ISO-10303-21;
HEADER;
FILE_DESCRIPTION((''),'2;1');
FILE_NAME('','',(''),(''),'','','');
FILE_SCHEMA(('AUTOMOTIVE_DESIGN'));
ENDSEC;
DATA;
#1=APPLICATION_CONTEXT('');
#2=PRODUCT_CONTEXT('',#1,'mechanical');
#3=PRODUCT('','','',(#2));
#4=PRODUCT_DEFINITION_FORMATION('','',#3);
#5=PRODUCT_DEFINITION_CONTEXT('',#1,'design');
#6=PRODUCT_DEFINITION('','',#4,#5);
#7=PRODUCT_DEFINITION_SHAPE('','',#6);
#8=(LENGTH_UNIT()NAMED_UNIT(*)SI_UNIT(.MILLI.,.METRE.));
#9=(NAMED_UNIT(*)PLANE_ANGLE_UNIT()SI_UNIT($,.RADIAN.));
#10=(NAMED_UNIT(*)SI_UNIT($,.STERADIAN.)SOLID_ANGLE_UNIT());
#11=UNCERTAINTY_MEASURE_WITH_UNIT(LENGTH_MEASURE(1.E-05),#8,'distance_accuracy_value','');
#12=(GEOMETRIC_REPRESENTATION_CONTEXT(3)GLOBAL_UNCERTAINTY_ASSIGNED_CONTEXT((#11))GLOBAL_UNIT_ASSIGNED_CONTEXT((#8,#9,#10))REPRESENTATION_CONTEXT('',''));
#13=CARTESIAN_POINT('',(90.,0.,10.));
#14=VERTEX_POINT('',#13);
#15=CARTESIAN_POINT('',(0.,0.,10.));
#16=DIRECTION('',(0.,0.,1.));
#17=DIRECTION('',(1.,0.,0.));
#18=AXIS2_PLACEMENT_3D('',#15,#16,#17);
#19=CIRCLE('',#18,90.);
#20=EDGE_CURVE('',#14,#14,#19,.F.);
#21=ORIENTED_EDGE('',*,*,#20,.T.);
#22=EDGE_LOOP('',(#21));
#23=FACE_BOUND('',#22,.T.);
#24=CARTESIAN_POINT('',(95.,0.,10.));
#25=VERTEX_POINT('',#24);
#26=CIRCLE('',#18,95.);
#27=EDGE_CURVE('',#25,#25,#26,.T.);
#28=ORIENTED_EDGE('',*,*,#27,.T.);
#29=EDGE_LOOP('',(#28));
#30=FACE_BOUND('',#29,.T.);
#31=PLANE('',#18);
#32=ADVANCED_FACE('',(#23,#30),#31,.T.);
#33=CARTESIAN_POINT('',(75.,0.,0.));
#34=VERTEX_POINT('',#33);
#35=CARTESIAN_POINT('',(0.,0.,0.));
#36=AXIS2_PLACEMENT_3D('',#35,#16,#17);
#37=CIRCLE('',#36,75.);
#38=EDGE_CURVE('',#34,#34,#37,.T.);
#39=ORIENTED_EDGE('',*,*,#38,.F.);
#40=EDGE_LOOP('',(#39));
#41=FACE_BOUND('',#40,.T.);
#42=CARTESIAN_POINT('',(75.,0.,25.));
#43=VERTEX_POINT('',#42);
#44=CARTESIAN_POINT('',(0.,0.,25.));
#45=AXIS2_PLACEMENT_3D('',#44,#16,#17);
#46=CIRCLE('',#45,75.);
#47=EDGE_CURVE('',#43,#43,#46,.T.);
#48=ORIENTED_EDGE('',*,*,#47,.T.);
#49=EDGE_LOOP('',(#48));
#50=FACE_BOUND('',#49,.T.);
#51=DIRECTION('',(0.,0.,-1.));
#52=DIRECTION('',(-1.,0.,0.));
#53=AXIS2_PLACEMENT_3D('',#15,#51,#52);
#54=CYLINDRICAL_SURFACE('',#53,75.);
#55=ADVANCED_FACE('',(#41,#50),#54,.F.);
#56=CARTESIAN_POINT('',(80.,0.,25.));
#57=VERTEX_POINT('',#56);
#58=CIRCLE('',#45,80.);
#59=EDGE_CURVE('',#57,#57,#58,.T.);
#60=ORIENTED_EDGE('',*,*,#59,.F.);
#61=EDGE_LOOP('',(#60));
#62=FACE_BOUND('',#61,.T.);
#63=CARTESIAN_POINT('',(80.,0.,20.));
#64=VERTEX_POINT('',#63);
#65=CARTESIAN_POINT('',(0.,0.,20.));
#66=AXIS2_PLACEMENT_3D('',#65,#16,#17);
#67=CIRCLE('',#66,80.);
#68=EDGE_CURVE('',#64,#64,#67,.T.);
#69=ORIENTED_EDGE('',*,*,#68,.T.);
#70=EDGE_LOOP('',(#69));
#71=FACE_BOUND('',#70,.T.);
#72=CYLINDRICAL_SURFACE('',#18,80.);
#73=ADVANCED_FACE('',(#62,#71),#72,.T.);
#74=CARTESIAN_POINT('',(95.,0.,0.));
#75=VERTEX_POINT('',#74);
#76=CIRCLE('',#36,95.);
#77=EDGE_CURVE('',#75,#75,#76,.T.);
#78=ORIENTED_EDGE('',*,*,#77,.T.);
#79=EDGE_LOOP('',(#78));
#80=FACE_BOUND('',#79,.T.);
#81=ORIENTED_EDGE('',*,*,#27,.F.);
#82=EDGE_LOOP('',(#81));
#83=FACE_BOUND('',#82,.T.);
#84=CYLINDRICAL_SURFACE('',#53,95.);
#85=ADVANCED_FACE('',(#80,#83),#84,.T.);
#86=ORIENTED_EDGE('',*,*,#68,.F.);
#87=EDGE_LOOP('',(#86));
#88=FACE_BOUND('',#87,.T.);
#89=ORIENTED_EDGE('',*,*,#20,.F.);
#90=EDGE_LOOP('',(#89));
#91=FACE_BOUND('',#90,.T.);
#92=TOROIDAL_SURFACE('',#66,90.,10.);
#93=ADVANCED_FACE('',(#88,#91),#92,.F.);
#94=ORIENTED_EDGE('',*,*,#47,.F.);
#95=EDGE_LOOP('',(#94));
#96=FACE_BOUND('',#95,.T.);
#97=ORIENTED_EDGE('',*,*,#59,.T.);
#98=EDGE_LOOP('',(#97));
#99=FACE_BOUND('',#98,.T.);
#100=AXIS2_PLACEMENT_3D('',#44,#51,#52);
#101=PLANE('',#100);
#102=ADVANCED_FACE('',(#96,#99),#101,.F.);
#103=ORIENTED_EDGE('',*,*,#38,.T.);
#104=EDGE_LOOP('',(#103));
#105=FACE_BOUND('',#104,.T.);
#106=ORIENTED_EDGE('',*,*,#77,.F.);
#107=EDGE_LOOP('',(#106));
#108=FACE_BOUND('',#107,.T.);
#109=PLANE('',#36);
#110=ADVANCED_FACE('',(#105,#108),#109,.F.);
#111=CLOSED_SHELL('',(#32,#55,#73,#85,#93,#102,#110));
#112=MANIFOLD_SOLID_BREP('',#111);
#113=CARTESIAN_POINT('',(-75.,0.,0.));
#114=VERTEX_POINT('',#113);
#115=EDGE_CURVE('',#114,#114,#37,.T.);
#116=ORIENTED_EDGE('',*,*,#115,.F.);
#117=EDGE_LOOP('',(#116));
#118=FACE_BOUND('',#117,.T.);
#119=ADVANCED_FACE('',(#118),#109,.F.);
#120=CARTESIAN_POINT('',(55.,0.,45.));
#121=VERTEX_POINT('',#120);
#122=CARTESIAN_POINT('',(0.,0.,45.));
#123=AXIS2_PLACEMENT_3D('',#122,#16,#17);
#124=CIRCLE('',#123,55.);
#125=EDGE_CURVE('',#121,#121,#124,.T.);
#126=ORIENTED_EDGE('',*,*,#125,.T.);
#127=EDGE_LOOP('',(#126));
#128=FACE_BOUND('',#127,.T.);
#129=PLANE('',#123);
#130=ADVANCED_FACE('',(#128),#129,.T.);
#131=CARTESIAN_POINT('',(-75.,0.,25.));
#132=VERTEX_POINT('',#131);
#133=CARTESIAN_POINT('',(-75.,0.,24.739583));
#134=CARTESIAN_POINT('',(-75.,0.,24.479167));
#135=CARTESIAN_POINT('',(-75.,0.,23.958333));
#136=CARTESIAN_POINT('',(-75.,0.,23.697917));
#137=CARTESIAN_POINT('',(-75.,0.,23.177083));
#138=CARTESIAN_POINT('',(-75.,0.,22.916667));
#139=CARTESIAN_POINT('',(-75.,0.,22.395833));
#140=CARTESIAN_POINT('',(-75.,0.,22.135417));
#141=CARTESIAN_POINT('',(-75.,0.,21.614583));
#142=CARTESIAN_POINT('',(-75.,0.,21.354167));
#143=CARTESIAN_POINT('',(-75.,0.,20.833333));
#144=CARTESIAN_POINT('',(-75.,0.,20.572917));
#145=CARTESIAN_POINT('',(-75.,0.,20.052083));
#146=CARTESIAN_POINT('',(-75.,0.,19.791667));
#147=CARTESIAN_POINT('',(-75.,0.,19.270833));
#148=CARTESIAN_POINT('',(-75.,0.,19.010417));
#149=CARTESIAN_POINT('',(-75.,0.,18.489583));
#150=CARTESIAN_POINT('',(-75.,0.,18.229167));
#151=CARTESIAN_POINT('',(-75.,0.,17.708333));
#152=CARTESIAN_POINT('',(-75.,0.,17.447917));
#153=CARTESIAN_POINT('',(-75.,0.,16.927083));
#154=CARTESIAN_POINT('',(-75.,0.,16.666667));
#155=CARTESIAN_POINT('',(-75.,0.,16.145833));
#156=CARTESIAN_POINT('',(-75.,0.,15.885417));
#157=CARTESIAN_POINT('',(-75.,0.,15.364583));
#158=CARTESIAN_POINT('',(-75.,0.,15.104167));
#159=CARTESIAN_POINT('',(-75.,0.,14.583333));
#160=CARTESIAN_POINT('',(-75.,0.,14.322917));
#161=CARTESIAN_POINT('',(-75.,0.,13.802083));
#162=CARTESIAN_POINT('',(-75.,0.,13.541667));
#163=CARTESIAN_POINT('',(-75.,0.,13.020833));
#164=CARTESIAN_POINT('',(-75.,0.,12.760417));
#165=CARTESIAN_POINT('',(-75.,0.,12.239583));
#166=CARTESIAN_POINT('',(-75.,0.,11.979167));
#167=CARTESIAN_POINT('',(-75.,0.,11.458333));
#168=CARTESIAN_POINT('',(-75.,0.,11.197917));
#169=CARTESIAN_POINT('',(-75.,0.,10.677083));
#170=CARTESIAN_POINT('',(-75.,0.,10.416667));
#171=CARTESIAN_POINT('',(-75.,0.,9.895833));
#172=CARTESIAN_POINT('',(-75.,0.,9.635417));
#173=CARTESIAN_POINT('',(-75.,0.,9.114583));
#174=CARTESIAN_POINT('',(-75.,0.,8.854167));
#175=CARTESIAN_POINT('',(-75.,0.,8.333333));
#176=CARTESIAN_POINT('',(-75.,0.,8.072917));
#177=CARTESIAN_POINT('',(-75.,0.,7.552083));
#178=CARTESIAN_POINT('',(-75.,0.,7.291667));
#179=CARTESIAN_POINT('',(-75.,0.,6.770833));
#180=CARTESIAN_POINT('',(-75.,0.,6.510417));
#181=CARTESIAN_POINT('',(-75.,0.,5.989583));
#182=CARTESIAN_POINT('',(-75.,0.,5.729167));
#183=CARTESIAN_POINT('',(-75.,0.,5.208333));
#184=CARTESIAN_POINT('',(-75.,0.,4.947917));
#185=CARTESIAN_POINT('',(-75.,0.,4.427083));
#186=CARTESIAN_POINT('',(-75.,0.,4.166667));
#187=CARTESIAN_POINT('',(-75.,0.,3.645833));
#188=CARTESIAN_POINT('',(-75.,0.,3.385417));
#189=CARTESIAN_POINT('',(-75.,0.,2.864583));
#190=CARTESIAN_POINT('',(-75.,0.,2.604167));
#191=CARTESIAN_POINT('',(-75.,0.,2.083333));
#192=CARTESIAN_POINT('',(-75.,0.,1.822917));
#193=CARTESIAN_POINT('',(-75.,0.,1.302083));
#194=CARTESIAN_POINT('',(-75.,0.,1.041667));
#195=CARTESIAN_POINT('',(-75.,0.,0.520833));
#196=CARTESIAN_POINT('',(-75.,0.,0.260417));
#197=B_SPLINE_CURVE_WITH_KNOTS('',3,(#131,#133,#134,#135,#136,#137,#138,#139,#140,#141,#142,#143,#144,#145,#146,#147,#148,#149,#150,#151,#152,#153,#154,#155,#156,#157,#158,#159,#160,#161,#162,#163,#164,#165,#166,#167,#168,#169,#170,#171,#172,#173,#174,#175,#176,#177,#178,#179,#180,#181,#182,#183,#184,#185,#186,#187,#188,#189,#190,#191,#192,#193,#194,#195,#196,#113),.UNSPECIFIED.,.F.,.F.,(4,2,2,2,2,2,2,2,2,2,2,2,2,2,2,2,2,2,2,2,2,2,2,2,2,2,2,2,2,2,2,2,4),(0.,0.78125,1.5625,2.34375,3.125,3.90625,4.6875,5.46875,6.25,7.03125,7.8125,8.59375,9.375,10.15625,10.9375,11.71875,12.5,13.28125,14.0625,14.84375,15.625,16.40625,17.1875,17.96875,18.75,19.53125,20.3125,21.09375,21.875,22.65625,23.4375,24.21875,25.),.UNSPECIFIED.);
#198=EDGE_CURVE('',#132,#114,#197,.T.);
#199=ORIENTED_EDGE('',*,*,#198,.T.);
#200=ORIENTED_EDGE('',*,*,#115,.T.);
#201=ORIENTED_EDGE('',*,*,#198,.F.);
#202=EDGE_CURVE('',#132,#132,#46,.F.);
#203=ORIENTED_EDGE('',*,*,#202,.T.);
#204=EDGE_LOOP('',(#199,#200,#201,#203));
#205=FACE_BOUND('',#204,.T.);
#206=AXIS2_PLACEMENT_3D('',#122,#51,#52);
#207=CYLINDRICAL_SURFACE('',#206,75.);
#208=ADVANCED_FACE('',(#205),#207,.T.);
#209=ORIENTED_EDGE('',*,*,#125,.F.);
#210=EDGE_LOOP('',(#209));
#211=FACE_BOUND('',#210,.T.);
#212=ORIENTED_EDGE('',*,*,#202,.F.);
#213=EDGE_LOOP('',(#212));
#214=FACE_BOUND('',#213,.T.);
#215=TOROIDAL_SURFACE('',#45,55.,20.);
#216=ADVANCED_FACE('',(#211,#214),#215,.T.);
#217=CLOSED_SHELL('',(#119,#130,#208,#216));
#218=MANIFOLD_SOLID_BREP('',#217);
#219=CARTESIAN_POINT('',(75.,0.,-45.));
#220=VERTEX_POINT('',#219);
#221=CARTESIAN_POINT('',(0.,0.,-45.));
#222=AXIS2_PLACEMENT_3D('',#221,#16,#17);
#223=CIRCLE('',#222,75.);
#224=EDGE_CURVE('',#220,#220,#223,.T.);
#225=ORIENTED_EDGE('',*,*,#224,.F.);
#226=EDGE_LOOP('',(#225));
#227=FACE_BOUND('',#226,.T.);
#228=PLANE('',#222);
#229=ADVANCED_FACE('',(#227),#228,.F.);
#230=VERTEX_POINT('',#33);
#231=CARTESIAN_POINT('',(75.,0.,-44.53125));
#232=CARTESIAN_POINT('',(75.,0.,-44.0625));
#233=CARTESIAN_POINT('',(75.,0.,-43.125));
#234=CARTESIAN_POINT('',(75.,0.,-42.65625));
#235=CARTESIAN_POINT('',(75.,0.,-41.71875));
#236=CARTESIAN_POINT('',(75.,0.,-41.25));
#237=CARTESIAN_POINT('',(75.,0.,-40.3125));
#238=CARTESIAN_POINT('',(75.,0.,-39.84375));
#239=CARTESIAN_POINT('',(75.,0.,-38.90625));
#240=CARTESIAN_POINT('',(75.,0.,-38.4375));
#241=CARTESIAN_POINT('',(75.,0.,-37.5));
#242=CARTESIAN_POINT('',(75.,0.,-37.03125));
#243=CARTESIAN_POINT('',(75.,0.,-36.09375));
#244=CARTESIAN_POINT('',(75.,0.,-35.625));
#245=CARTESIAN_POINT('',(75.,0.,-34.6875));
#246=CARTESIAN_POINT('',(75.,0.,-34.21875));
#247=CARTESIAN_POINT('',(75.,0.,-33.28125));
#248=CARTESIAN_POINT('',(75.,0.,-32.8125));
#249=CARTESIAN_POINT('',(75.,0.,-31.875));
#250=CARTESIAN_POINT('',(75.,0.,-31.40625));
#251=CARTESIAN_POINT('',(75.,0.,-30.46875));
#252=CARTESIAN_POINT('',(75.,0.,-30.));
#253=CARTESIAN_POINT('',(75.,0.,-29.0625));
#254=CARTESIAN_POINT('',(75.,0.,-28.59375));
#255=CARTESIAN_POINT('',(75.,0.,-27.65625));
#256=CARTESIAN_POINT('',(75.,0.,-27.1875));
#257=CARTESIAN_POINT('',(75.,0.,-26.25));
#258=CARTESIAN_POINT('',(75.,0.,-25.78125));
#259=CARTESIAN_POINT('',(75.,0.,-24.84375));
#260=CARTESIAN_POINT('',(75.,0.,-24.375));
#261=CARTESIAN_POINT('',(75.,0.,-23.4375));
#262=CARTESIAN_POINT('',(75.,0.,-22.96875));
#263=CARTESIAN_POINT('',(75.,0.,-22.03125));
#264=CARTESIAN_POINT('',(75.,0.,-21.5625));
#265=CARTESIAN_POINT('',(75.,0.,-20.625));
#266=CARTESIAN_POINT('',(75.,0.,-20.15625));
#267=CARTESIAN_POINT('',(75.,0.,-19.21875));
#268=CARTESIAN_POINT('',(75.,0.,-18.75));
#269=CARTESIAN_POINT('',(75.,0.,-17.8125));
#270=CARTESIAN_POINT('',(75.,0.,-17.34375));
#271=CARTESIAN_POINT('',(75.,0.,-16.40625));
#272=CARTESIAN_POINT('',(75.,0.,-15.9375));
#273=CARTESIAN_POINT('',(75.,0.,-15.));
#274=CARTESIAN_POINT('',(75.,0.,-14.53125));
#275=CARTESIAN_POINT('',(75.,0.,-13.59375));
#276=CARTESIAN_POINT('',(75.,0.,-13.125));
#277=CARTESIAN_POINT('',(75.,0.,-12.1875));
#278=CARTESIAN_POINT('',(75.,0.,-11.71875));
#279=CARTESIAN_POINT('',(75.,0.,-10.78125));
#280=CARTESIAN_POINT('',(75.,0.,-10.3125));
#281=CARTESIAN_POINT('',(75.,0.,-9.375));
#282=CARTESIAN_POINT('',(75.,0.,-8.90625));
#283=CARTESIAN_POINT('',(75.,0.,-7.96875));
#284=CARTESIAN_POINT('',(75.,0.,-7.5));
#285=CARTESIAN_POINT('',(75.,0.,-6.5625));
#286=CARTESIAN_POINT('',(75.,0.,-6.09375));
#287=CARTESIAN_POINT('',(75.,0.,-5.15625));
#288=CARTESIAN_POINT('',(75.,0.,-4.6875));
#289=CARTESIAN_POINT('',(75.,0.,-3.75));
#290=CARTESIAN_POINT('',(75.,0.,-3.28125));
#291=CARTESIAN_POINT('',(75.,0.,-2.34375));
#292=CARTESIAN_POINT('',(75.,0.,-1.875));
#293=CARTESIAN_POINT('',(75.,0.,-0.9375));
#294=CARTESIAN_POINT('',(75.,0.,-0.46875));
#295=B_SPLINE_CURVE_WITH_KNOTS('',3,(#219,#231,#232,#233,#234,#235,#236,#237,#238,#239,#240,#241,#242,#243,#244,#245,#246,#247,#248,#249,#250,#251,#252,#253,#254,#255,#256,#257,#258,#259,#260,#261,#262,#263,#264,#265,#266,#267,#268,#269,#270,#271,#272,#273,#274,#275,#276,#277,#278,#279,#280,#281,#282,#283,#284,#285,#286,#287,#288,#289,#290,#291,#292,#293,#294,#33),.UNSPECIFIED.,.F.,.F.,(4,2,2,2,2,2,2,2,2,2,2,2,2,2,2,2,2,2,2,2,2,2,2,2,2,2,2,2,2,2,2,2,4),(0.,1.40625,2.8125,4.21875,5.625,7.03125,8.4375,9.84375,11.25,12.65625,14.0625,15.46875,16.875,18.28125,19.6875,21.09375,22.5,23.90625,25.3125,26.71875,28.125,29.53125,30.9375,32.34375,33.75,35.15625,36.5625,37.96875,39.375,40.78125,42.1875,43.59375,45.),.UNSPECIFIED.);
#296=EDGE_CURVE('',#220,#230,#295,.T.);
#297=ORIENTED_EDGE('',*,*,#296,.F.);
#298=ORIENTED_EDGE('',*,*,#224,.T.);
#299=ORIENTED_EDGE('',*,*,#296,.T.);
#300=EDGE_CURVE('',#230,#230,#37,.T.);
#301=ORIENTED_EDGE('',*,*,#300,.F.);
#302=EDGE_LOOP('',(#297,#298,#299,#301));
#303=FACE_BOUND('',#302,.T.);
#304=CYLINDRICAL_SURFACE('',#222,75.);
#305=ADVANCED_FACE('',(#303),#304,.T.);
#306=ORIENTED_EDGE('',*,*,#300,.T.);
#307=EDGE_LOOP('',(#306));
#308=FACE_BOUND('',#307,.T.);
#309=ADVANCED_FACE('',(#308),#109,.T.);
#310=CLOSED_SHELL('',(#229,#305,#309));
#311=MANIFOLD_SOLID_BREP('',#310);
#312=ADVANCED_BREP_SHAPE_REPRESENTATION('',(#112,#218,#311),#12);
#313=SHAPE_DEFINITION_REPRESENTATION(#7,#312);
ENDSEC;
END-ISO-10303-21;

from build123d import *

# Parameters (mm, degrees)
SKETCH1_R                = 95
SKETCH1_R_2              = 75
BOSS_EXTRUDE1_DEPTH      = 10
SURFACE_EXTRUDE1_1_DEPTH = 15
THICKEN1_T2              = 5
SKETCH4_R                = 75
BOSS_EXTRUDE2_DEPTH      = 45
FILLET1_R                = 20
SKETCH4_2_R              = 75
BOSS_EXTRUDE3_DEPTH      = 45
FILLET2_R                = 10


with BuildPart() as part:
    # Sketch1 → Boss-Extrude1 (new body)
    with BuildSketch(Plane.XY):
        Circle(SKETCH1_R)
        Circle(SKETCH1_R_2, mode=Mode.SUBTRACT)
    extrude(amount=BOSS_EXTRUDE1_DEPTH)

    # Surface-Extrude1: a surface, the sketch's curves swept straight by 15 mm
    with BuildLine(Plane.XY.offset(10), mode=Mode.PRIVATE) as surface_extrude1_1_path:
        CenterArc((0, 0), 75, 0, 360)
    surface_extrude1_1 = Shell.extrude(surface_extrude1_1_path.wire(), (0 * SURFACE_EXTRUDE1_1_DEPTH, 0 * SURFACE_EXTRUDE1_1_DEPTH, 1 * SURFACE_EXTRUDE1_1_DEPTH))
    add(Solid.thicken(surface_extrude1_1, -THICKEN1_T2))

    # Fillet2
    fillet2_edges = [part.edges().sort_by_distance(p)[0] for p in [
        (-80, 0, 10),
    ]]
    fillet(fillet2_edges, radius=FILLET2_R)


with BuildPart() as body_2:
    # Sketch4 → Boss-Extrude2 (new body)
    with BuildSketch(Plane.XY):
        with Locations(Location((0, 0, 0), (0, 0, 180))):
            Circle(SKETCH4_R)
    extrude(amount=BOSS_EXTRUDE2_DEPTH)

    # Fillet1
    fillet1_edges = [body_2.edges().sort_by_distance(p)[0] for p in [
        (75, 0, 45),
    ]]
    fillet(fillet1_edges, radius=FILLET1_R)


with BuildPart() as body_3:
    # Sketch4<2> → Boss-Extrude3 (new body)
    with BuildSketch(Plane.XY):
        Circle(SKETCH4_2_R)
    extrude(amount=-BOSS_EXTRUDE3_DEPTH)


solid = Compound([part.part, body_2.part, body_3.part])
